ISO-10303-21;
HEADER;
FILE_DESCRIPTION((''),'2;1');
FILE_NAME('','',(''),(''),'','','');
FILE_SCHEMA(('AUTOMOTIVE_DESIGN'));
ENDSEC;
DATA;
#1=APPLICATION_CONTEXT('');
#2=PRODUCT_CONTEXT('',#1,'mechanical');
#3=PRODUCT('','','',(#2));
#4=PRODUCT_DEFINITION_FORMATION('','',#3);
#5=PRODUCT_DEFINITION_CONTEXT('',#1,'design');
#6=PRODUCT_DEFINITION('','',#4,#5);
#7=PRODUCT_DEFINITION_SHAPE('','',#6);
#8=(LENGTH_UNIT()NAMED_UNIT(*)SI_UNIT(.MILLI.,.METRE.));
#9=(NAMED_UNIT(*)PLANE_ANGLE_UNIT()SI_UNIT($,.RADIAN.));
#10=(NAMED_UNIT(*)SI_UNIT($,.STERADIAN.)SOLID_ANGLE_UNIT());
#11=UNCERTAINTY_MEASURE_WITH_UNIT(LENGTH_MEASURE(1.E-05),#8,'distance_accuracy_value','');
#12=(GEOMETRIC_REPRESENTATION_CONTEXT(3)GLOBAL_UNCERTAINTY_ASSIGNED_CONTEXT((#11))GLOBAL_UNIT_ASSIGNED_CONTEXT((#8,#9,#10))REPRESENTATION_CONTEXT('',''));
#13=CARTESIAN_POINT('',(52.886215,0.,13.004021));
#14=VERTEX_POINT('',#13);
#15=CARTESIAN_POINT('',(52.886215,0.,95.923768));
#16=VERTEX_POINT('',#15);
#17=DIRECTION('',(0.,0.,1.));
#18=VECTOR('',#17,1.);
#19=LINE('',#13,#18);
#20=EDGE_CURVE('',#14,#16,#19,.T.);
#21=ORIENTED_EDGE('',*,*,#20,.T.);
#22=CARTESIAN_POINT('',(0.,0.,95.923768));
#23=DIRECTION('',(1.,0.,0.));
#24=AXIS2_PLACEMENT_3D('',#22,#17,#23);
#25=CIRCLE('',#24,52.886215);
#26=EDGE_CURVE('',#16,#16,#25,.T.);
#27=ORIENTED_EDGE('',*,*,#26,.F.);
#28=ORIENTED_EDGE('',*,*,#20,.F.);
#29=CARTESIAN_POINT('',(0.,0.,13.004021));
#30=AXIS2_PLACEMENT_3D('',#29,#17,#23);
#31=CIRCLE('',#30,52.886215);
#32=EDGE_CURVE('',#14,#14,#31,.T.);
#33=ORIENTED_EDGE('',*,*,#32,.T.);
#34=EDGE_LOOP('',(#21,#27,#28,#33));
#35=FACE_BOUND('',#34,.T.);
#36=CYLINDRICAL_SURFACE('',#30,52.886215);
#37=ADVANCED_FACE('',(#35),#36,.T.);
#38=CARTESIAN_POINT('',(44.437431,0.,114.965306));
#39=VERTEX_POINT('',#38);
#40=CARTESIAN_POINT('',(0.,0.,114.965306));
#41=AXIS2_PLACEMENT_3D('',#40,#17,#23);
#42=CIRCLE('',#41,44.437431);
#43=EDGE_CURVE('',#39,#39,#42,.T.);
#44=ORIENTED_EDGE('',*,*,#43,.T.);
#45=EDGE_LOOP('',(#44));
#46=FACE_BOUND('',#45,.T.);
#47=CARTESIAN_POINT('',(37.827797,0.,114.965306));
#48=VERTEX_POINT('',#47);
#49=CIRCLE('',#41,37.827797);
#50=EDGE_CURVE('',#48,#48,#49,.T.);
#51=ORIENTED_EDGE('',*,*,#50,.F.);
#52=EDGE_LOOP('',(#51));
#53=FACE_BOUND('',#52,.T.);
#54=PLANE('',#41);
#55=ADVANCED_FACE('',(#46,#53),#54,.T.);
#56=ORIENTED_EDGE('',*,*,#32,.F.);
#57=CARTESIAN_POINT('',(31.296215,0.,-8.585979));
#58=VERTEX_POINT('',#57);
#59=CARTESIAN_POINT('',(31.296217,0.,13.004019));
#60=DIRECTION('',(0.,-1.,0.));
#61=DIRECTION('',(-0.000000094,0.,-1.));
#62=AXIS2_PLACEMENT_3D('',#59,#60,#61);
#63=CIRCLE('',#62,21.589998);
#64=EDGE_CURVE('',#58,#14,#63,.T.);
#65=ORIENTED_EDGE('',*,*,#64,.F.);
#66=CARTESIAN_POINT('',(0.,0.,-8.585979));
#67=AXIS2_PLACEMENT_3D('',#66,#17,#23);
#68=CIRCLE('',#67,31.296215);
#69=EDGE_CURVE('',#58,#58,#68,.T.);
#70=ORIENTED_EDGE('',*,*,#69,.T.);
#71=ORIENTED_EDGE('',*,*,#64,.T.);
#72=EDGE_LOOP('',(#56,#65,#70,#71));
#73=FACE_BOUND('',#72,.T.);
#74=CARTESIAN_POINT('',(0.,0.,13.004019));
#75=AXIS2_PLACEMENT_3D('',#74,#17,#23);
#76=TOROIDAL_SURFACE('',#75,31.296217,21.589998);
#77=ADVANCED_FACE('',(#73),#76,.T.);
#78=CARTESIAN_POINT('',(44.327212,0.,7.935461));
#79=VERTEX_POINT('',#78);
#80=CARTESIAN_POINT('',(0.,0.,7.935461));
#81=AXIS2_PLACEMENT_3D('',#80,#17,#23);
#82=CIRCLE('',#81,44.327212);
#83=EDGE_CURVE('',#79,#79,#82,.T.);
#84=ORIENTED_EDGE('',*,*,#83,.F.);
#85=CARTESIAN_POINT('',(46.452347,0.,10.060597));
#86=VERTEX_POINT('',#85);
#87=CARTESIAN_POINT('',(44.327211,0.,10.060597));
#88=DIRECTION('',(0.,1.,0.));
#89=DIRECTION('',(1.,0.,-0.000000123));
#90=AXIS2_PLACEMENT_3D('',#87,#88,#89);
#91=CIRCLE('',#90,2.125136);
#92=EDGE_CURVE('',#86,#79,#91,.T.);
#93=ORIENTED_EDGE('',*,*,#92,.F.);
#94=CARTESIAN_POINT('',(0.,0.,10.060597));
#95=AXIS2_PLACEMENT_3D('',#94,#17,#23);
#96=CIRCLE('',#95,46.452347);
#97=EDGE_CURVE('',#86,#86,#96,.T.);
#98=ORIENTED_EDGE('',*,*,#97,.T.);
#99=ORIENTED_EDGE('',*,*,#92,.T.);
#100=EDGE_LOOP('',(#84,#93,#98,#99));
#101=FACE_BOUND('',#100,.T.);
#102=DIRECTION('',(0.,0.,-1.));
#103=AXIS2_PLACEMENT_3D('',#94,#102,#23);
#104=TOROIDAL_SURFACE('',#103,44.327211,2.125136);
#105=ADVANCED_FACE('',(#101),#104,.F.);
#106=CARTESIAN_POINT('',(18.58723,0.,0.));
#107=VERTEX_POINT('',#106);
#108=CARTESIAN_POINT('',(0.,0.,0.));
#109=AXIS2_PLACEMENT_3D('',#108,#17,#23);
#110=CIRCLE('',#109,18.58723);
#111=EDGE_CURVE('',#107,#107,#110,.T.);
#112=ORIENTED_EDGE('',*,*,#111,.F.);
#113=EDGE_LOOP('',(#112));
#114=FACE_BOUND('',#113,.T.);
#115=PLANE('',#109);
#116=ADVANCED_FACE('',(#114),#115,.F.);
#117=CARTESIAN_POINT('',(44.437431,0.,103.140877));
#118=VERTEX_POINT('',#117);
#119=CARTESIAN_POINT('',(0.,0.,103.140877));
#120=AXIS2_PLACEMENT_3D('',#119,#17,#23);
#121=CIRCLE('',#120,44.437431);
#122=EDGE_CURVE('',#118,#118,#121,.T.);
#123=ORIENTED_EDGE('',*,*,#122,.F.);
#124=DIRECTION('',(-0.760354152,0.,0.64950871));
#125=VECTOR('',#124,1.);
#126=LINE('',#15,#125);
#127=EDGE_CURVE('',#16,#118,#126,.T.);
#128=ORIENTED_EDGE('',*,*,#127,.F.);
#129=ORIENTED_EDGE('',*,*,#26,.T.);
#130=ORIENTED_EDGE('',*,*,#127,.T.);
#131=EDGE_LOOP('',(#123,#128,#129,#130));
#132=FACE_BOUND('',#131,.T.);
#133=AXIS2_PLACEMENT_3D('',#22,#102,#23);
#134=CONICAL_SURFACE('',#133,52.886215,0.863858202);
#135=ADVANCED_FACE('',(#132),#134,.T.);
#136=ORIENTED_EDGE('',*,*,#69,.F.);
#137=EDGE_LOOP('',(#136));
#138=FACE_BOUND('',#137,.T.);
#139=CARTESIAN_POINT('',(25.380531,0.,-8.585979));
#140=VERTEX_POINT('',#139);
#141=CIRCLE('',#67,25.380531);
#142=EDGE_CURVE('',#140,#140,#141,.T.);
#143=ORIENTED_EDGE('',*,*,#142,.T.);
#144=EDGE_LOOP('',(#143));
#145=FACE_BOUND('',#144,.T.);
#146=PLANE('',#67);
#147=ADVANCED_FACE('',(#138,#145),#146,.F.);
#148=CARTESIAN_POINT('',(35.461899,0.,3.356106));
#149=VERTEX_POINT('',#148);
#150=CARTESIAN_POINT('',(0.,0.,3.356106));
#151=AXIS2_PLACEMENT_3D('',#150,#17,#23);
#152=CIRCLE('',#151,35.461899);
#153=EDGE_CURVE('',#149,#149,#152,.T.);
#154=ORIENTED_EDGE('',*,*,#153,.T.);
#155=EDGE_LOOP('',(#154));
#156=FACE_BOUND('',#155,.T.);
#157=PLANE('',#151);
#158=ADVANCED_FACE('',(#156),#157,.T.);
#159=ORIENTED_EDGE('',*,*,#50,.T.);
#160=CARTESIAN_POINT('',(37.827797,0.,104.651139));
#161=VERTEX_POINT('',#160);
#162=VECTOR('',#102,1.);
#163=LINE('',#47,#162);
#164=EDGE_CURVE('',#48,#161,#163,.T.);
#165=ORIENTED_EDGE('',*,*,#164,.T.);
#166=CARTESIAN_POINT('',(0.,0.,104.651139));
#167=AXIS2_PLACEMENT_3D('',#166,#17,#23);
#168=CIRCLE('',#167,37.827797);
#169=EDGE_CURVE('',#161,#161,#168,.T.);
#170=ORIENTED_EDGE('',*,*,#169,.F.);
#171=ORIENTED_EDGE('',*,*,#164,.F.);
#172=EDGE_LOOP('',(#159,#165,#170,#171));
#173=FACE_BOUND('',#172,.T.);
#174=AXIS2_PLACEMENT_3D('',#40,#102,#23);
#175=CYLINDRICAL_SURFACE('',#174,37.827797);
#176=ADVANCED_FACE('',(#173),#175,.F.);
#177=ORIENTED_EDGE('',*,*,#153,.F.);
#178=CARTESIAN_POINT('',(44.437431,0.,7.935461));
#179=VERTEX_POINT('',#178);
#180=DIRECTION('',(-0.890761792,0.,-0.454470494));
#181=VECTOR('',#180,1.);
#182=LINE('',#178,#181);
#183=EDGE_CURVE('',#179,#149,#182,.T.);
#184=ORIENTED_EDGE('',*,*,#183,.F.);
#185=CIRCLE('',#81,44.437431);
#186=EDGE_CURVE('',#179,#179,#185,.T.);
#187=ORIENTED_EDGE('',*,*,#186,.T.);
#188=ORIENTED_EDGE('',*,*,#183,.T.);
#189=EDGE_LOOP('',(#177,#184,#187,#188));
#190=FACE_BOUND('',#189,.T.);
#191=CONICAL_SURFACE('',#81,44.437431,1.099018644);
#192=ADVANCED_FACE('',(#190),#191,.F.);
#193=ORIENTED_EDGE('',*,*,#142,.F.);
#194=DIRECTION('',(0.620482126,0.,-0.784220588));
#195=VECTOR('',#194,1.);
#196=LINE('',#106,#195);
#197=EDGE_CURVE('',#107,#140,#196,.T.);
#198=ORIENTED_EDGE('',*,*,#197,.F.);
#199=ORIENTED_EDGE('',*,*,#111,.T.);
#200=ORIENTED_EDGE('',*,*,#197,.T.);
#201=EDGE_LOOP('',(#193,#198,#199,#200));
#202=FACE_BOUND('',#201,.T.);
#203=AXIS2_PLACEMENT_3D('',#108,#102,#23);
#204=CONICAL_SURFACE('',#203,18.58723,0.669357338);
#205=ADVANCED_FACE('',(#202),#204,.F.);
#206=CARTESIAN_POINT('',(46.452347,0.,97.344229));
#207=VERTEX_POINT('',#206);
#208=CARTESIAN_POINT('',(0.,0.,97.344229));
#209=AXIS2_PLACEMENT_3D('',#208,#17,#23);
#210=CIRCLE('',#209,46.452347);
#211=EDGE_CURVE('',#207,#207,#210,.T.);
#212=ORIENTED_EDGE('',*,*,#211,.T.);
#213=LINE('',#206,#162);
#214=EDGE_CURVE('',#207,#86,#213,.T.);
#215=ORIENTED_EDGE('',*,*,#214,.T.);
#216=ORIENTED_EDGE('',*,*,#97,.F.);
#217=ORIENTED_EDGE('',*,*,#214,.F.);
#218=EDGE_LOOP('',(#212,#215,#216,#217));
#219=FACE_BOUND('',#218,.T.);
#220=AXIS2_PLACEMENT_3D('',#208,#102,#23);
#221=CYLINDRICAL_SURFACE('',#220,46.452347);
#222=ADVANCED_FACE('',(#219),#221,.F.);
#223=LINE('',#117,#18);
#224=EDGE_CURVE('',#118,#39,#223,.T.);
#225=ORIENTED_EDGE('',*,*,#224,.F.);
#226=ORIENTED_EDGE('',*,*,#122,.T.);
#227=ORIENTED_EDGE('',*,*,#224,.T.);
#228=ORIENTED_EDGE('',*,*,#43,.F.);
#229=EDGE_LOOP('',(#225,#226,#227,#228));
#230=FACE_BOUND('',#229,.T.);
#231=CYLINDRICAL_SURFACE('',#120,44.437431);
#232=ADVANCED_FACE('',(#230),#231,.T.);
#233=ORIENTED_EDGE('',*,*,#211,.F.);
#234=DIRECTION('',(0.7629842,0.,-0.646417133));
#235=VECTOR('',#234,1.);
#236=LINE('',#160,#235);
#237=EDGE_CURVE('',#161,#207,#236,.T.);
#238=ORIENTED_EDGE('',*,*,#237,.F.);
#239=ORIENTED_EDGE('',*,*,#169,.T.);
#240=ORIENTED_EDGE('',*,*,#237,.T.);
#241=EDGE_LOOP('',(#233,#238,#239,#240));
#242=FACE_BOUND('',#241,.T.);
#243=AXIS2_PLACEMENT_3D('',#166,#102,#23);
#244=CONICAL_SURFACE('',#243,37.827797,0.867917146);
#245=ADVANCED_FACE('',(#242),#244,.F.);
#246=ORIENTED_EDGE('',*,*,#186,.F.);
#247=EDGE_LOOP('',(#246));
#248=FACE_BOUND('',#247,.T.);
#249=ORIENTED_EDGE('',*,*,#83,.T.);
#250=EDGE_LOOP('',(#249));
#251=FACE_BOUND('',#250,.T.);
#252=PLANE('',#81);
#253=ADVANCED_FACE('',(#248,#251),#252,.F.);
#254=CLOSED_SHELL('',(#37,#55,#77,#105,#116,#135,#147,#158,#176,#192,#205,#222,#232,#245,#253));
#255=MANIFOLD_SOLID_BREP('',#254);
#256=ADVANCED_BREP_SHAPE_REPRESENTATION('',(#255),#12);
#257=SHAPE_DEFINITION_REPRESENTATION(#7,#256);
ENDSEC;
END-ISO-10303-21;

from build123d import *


with BuildPart() as f1:
    # F0 (on Front) → F1 (revolve)
    with BuildSketch(Plane.XZ):
        with BuildLine():
            Line((0, 3.356106), (0, 0))
            Line((0, 0), (18.58723, 0))
            Line((18.58723, 0), (25.380531, -8.585979))
            Line((25.380531, -8.585979), (31.296215, -8.585979))
            ThreePointArc((31.296215, -8.585979), (46.562651, -2.262415), (52.886215, 13.004021))
            Line((52.886215, 13.004021), (52.886215, 95.923768))
            Line((52.886215, 95.923768), (44.437431, 103.140877))
            Line((44.437431, 103.140877), (44.437431, 114.965306))
            Line((44.437431, 114.965306), (37.827797, 114.965306))
            Line((37.827797, 114.965306), (37.827797, 104.651139))
            Line((37.827797, 104.651139), (46.452347, 97.344229))
            Line((46.452347, 97.344229), (46.452347, 10.060597))
            ThreePointArc((46.452347, 10.060597), (45.829909, 8.557899), (44.327212, 7.935461))
            Line((44.327212, 7.935461), (44.437431, 7.935461))
            Line((44.437431, 7.935461), (35.461899, 3.356106))
            Line((35.461899, 3.356106), (0, 3.356106))
        make_face()
    revolve(axis=Axis((0, 0, 37.410337), (0, 0, 1)))


solid = f1.part
